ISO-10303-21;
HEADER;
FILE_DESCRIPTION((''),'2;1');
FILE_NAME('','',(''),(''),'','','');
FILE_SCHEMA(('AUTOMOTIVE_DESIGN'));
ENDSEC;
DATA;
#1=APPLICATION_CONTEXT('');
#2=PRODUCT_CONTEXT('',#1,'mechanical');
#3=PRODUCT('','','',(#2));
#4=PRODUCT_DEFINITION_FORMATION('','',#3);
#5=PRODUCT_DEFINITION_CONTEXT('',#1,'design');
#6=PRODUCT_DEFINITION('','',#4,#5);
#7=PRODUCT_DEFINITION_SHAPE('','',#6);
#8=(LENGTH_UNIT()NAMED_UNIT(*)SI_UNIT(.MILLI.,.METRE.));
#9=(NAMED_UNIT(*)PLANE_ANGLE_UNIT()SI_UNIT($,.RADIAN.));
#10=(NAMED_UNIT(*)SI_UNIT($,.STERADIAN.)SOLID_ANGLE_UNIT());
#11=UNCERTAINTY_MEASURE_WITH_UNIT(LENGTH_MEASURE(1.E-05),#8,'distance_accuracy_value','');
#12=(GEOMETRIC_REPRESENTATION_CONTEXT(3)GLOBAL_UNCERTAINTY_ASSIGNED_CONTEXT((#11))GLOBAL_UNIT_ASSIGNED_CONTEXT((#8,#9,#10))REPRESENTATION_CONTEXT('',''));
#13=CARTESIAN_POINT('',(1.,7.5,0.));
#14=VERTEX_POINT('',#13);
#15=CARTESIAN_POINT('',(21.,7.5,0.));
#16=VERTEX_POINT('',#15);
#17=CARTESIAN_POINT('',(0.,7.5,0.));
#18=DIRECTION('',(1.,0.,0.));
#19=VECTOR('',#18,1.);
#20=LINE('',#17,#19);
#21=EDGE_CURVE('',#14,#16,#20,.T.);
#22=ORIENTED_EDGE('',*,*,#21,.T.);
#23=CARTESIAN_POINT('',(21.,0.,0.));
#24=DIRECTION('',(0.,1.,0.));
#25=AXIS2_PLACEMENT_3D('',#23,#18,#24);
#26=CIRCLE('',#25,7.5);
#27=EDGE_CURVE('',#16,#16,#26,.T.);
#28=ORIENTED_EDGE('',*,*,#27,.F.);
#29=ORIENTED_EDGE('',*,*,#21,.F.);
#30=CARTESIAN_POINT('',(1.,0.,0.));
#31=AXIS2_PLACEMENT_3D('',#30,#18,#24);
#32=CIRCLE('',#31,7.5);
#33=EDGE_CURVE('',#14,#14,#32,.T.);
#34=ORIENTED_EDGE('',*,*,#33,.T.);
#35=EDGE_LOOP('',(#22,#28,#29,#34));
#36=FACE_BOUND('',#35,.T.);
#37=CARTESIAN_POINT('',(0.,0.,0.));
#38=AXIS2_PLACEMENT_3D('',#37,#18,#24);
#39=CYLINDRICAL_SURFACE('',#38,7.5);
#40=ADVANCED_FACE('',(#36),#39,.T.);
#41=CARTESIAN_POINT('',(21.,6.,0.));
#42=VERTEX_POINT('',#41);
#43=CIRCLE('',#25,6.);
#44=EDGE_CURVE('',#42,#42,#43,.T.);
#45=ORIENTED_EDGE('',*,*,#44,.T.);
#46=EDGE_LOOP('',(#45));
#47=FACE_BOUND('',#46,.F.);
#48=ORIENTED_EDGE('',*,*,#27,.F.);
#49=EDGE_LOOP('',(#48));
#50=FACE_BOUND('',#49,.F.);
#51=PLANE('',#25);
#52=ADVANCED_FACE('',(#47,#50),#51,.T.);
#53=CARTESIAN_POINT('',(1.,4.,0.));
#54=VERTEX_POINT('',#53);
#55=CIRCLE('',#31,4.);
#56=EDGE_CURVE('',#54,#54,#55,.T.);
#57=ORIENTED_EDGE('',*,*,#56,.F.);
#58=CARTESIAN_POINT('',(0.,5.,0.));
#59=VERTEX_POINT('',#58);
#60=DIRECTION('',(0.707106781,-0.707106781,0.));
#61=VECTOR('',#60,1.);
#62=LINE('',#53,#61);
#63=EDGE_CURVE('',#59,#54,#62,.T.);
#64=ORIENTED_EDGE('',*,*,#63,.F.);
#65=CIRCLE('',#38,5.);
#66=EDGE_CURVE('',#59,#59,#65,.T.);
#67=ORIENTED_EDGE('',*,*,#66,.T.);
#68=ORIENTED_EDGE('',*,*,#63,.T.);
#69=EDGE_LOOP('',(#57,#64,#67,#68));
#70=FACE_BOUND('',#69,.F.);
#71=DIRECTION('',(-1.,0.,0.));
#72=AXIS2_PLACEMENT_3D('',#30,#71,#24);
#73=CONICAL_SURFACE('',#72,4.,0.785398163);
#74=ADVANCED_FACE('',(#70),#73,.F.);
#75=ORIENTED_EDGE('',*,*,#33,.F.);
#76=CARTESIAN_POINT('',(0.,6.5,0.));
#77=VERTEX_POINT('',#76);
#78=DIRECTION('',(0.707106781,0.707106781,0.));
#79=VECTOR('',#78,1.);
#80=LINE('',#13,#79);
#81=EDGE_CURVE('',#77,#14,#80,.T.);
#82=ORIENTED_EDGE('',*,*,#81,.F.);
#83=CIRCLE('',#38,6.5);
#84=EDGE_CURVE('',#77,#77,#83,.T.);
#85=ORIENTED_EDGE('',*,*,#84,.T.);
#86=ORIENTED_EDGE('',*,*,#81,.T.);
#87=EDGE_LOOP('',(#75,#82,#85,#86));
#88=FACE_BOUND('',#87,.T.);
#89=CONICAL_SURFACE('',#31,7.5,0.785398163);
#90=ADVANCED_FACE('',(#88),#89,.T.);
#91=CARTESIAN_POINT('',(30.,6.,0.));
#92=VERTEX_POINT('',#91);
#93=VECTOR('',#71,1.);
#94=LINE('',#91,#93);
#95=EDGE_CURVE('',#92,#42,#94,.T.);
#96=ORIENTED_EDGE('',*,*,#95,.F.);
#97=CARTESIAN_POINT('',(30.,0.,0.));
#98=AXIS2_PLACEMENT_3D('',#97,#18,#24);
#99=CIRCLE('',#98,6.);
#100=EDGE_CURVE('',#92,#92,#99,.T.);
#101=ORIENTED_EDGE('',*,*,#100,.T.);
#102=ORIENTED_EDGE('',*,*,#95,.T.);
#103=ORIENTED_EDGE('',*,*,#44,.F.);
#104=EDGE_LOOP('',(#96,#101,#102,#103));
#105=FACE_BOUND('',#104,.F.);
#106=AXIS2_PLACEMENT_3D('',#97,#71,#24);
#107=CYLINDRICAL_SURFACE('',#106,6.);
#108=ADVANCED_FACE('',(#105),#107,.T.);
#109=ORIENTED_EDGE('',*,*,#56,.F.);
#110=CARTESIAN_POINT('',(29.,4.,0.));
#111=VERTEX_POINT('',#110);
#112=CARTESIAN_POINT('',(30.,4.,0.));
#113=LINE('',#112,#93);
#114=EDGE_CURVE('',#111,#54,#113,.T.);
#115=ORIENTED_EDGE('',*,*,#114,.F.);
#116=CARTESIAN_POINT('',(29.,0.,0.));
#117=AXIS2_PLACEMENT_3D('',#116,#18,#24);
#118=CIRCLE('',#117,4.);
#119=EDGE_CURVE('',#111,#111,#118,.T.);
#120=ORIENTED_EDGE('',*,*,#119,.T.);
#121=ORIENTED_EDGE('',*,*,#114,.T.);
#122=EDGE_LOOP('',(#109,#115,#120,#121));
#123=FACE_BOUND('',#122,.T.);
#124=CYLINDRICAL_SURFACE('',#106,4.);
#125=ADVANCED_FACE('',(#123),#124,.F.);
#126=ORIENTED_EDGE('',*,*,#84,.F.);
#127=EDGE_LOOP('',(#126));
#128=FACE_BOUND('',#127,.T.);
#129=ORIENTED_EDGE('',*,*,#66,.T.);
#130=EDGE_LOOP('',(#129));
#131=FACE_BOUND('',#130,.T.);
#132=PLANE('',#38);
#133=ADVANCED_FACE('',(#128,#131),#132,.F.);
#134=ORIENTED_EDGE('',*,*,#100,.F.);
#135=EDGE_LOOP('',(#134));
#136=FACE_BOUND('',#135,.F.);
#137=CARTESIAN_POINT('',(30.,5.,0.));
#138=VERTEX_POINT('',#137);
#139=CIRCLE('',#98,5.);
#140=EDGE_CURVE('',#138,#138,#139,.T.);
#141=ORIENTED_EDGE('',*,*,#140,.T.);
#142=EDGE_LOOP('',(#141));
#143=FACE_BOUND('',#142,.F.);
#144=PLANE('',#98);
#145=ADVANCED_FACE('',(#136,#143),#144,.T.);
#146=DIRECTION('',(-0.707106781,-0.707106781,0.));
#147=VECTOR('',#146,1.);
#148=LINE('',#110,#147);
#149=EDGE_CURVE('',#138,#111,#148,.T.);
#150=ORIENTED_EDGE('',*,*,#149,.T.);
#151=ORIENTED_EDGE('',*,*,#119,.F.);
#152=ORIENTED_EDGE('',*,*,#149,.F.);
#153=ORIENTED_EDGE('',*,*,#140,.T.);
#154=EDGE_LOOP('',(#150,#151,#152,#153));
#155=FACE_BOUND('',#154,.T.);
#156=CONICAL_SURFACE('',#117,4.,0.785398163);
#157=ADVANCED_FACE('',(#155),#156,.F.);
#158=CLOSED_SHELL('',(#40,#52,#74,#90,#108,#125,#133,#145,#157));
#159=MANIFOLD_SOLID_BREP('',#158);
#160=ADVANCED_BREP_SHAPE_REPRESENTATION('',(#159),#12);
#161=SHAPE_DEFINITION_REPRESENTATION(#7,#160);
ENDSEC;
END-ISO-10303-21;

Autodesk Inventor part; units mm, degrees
ref_plane "YZ Plane" through (0, 0, 0) normal (1, 0, 0) x (0, 1, 0)
ref_plane "XZ Plane" through (0, 0, 0) normal (0, 1, 0) x (-1, 0, 0)
ref_plane "XY Plane" through (0, 0, 0) normal (0, 0, 1) x (1, 0, 0)
sketch "Sketch1" plane through (0, 0, 0) normal (0, 0, 1) x (1, 0, 0)
  point P0 (0, 0)
sketch "Sketch2" plane through (0, 0, 0) normal (0, 0, 1) x (1, 0, 0)
  line L0 (0, 0) -> (30, 0)
  line L1 (0, 0) -> (0, 7.5)
  line L2 (0, 7.5) -> (21, 7.5)
  line L3 (30, 0) -> (30, 6)
  line L4 (30, 6) -> (21, 6)
  line L5 (21, 6) -> (21, 7.5)
  line L6 (0, 0) -> (30, 0)
  line L7 (30, 0) -> (30, 4)
  line L8 (30, 4) -> (0, 4)
  line L9 (0, 4) -> (0, 0)
  point P0 (0, 4)
  dimension "d0" = 30
  dimension "d1" = 7.5
  dimension "d2" = 21
  dimension "d3" = 6
  dimension "d4" = 4
revolve "Revolution1" add sketch "Sketch2" angle 360 about axis through (0, 0, 0) along (1, 0, 0) contours L1 L2 L5 L4 L3 L8
chamfer "Chamfer1" distance 1 angle 45 3 edges at (0, -7.5, 0) (0, -4, 0) (30, -4, 0)
properties part number "Meneteshüvely"
